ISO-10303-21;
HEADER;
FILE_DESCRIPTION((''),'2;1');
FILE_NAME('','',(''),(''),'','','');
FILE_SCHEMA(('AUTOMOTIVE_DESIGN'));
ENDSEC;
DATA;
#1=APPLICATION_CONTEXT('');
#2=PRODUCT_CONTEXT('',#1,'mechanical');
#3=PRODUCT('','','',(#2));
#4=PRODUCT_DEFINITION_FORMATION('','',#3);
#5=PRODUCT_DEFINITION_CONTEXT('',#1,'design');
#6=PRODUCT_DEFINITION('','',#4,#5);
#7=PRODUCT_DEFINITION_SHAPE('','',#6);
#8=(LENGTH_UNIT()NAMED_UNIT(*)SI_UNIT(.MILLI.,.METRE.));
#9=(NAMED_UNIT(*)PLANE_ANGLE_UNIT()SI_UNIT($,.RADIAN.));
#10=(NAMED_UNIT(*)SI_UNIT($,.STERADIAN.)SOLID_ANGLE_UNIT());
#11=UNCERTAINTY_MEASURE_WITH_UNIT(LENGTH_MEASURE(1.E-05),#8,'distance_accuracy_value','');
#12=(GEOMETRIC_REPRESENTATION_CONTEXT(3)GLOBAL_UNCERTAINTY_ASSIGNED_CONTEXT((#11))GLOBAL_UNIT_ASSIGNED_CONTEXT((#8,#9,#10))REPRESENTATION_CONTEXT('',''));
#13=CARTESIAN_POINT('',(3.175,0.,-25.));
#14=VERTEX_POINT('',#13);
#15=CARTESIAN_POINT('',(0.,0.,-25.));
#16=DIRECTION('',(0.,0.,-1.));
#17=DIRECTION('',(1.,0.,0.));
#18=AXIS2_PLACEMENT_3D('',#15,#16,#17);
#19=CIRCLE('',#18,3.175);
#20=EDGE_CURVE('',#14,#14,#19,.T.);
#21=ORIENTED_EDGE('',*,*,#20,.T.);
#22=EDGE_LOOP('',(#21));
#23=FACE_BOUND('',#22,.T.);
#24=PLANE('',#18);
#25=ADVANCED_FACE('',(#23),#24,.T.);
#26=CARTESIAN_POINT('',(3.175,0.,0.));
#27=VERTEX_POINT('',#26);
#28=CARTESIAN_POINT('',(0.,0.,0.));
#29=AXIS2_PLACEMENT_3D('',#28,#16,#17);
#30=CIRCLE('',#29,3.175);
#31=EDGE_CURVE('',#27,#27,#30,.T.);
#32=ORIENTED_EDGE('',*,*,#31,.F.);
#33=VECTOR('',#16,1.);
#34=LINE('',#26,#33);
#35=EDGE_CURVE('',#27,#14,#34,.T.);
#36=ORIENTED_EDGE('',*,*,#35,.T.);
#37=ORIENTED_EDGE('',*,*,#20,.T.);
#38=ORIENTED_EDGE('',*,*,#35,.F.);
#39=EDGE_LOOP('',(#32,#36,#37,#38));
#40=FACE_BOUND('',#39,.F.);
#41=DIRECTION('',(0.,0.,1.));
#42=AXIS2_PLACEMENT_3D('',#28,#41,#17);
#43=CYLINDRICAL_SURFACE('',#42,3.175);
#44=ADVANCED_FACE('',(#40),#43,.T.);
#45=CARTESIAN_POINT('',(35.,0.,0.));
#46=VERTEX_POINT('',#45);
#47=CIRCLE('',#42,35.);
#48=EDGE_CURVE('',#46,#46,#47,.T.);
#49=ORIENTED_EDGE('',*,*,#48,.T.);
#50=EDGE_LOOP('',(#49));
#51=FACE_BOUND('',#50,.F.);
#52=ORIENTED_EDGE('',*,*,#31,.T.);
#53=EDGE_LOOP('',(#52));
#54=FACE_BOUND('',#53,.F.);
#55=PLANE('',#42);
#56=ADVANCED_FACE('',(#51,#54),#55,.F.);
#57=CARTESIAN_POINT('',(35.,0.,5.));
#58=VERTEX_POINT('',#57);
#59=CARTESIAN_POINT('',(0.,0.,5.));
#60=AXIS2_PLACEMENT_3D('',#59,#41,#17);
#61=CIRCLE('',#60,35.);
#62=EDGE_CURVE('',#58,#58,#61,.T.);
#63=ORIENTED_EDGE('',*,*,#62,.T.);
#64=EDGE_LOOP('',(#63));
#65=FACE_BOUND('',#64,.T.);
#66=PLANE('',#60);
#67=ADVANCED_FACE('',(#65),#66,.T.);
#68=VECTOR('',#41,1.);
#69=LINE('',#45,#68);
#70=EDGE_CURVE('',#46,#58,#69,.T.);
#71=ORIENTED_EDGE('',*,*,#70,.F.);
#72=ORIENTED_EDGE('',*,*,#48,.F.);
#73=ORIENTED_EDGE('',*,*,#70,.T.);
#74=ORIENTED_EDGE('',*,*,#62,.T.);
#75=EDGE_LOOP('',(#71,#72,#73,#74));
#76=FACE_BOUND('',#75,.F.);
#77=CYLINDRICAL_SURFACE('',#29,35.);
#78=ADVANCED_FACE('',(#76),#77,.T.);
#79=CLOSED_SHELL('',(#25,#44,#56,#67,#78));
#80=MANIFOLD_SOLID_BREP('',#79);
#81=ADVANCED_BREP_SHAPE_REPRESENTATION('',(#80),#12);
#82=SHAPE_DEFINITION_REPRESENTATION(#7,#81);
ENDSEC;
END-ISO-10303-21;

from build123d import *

# Parameters (mm, degrees)
SKETCH_R     = 35
PAD_DEPTH    = 5
SKETCH001_R  = 3.175
PAD001_DEPTH = 25


with BuildPart() as part:
    # Sketch → Pad (new body)
    with BuildSketch(Plane.XY):
        Circle(SKETCH_R)
    extrude(amount=PAD_DEPTH)

    # Sketch001 (on Face2 of Pad) → Pad001 (join)
    with BuildSketch(Plane(origin=(0, 0, 0), x_dir=(1, 0, 0), z_dir=(0, 0, -1))):
        Circle(SKETCH001_R)
    extrude(amount=PAD001_DEPTH)


solid = part.part
